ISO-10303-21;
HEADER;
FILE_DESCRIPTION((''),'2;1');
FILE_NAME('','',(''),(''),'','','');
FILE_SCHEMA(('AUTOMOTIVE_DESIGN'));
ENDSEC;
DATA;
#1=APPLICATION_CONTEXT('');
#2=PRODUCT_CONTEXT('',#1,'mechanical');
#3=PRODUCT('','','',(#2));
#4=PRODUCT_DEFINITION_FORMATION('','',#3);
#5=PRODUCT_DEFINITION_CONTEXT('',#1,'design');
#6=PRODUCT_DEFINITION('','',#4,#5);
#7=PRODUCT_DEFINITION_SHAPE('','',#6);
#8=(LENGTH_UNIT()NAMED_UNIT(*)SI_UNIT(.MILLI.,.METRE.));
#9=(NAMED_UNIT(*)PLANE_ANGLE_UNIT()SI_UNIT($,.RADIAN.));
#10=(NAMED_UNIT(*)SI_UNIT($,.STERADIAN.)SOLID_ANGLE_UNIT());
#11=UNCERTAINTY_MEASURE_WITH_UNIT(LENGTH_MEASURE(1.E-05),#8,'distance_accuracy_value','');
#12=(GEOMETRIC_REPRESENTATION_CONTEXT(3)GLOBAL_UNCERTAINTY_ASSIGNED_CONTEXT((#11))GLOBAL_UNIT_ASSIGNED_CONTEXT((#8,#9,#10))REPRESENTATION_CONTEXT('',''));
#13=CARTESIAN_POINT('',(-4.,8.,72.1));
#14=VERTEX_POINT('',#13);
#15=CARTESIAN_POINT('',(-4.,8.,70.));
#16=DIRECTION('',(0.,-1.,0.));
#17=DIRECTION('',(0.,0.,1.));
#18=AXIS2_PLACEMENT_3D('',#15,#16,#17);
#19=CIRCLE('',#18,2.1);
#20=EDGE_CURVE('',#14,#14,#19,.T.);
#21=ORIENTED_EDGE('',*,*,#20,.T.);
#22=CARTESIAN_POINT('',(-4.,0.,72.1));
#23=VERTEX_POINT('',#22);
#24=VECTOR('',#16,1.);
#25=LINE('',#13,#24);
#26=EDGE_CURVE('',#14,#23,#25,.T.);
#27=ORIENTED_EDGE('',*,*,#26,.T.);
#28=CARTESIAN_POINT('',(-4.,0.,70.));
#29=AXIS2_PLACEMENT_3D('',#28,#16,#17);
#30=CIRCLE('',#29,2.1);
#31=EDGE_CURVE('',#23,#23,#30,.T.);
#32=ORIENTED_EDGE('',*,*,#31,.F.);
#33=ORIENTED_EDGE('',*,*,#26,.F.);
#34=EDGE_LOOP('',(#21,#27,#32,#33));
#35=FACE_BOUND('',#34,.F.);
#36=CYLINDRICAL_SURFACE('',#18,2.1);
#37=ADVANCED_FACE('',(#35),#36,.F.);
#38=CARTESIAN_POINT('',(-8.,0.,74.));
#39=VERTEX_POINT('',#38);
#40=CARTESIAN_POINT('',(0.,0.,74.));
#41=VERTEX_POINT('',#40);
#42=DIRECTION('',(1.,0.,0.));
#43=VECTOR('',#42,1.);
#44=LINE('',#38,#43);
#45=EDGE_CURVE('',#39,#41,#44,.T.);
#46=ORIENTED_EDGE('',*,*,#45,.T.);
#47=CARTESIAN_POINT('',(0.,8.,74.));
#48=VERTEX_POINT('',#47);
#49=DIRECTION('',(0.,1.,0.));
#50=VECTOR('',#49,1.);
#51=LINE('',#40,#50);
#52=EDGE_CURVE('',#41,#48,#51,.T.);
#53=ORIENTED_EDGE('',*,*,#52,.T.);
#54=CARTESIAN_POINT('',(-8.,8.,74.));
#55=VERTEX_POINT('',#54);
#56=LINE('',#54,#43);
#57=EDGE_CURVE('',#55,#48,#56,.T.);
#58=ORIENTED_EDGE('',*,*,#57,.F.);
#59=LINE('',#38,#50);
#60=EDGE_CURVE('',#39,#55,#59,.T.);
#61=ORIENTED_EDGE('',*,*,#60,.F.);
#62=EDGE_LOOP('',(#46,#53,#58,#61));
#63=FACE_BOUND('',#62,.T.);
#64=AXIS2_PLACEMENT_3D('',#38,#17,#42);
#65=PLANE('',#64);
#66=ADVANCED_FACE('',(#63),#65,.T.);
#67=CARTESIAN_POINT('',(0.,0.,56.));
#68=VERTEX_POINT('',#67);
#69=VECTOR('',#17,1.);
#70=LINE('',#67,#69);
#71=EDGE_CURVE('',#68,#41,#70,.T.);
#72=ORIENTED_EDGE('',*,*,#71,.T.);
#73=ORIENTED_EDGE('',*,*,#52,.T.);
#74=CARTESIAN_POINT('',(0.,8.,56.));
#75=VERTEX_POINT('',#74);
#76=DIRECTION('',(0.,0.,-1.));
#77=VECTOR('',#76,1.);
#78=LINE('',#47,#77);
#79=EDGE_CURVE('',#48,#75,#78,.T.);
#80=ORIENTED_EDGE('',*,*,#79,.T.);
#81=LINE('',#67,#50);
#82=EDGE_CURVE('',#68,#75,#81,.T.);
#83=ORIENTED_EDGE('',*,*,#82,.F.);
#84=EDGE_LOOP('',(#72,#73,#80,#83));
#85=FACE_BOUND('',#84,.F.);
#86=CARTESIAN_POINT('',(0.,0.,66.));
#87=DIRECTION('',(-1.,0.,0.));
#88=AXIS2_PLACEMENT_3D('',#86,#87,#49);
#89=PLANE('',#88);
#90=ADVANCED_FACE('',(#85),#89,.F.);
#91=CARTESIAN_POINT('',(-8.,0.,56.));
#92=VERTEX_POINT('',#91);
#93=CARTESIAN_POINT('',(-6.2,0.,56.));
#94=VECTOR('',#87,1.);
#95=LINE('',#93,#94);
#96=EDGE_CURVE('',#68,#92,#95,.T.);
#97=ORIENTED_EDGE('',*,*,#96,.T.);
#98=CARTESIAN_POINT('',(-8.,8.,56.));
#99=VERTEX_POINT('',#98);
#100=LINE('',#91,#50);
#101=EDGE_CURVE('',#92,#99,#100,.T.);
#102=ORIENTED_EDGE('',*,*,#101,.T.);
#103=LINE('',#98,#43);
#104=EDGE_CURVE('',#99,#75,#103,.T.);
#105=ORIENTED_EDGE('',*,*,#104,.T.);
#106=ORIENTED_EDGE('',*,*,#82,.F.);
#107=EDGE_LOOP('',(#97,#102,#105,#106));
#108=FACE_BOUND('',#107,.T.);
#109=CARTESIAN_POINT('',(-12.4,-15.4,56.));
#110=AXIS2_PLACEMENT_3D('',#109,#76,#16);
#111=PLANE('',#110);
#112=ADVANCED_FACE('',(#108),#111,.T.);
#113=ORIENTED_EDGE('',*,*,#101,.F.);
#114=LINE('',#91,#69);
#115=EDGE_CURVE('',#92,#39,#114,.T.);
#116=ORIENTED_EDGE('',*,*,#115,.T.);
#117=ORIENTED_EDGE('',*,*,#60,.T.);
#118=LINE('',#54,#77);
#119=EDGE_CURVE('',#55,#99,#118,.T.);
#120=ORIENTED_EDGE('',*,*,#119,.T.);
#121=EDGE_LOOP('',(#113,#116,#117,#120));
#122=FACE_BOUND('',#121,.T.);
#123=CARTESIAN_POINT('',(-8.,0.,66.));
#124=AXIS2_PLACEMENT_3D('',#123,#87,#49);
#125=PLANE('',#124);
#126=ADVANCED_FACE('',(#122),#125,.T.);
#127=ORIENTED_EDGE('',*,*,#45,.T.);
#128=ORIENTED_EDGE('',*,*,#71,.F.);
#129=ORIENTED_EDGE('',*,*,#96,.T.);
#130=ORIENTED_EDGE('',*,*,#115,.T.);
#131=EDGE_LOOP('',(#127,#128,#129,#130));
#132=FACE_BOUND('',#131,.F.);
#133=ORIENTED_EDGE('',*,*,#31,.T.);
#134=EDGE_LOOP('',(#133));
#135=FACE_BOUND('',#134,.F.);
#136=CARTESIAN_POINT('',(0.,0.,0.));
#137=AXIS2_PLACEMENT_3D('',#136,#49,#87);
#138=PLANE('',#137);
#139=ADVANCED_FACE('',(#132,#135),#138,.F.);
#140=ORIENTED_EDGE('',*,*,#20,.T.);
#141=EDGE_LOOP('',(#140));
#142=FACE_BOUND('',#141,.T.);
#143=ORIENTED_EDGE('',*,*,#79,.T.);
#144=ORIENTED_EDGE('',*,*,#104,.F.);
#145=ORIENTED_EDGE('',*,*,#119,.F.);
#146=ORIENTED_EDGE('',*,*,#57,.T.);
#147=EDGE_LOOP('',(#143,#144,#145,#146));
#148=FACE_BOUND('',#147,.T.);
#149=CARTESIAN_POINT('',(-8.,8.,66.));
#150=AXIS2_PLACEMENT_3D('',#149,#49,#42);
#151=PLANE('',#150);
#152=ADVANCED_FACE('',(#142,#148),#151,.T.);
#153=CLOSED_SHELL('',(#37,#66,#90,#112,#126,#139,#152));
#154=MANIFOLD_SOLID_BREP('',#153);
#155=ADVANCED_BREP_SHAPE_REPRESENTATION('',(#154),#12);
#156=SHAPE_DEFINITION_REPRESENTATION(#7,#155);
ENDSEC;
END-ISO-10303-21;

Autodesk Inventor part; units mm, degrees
ref_plane "YZ Plane" through (0, 0, 0) normal (1, 0, 0) x (0, 1, 0)
ref_plane "XZ Plane" through (0, 0, 0) normal (0, 1, 0) x (-1, 0, 0)
sketch "Boceto1" plane through (0, 0, 0) normal (0, 1, 0) x (-1, 0, 0)
  line L0 (0, 0) -> (8, 0)
  line L1 (8, 0) -> (8, 66)
  line L2 (8, 66) -> (0, 66)
  line L3 (0, 66) -> (0, 0)
  dimension "d0" = 8
  dimension "d1" = 66
extrude "Extrusión1" add sketch "Boceto1" along normal blind 8
ref_plane "Plano de trabajo1" through (-12.4, -21.9, 10) normal (0, 0, 1) x (1, 0, 0)
sketch "Boceto2" plane through (-12.4, -21.9, 10) normal (0, 0, 1) x (1, 0, 0)
  line L0 (4.4, 21.9) -> (12.4, 21.9) projected
  line L1 (12.4, 21.9) -> (12.4, 29.9) projected
  line L2 (4.4, 29.9) -> (12.4, 29.9) projected
  line L3 (4.4, 21.9) -> (4.4, 29.9) projected
  line L4 (3.4, 30.9) -> (13.4, 30.9)
  line L5 (13.4, 30.9) -> (13.4, 20.9)
  line L6 (13.4, 20.9) -> (3.4, 20.9)
  line L7 (3.4, 20.9) -> (3.4, 30.9)
  line L8 (4.4, 21.9) -> (3.4, 21.9)
  line L9 (12.4, 21.9) -> (13.4, 21.9)
  dimension "d23" = 1
ref_plane "Plano de trabajo2" through (-29.9, -56.9, 56) normal (0, 0, -1) x (0, 1, 0)
extrude "Extrusión2" add sketch "Boceto2" along normal up to surface (46 mm away) contours L8 L7 L4 L5 L9 L1 L2 L3
sketch "Boceto3" plane through (-8, 0, 66) normal (0, 0, 1) x (1, 0, 0)
  line L0 (0, 0) -> (8, 0) projected
  line L1 (8, 0) -> (8, 8) projected
  line L2 (0, 8) -> (8, 8) projected
  line L3 (0, 0) -> (0, 8) projected
extrude "Extrusión3" add sketch "Boceto3" along normal blind 8
sketch "Boceto4" plane through (0, 0, 0) normal (0, 0, -1) x (-1, 0, 0)
  line L0 (0, 0) -> (8, 0) projected
  line L1 (8, 0) -> (8, 8) projected
  line L2 (0, 8) -> (8, 8) projected
  line L3 (0, 0) -> (0, 8) projected
extrude "Extrusión4" add sketch "Boceto4" along normal blind 8
sketch "Boceto5" plane through (0, 8, 0) normal (0, 1, 0) x (1, 0, 0)
  line L0 (-8, -10) -> (-8, 8) projected
  line L1 (0, -74) -> (-8, -74) projected
  line L2 (0, -56) -> (0, -74) projected
  line L3 (-8, 8) -> (0, 8) projected
  line L4 (0, 8) -> (-8, 8)
  line L5 (-8, 8) -> (-8, 0)
  line L6 (-8, 0) -> (0, 0)
  line L7 (0, 0) -> (0, 8)
  line L8 (0, -74) -> (-8, -74)
  line L9 (-8, -74) -> (-8, -66)
  line L10 (-8, -66) -> (0, -66)
  line L11 (0, -66) -> (0, -74)
  line L12 (0, 8) -> (-8, 0)
  line L13 (0, -74) -> (-8, -66)
  circle A0 centre (-4, 4) radius 2.1
  circle A1 centre (-4, -70) radius 2.1
  line L14 (-8, -10) -> (0, -10) projected
  line L15 (0, -10) -> (0, 8) projected
  line L16 (0, -56) -> (-8, -56) projected
  line L17 (-8, -56) -> (-8, -74) projected
  point P0 (0, 0)
  dimension "d11" = 4.2
  dimension "d12" = 4.2
  dimension "d13" = 8
  dimension "d14" = 8
hole "Agujero1" at (-4, 8, -4) at (-4, 8, 70) direction (0, -1, 0) diameter 4.2 end through all
ref_plane "Plano de trabajo3" through (-12.4, -15.4, 56) normal (0, 0, -1) x (-1, 0, 0)
split "Dividir1" plane through (-12.4, -15.4, 56) removes the side toward (0, 0, -1)
properties part number "Refuerzo superior"
